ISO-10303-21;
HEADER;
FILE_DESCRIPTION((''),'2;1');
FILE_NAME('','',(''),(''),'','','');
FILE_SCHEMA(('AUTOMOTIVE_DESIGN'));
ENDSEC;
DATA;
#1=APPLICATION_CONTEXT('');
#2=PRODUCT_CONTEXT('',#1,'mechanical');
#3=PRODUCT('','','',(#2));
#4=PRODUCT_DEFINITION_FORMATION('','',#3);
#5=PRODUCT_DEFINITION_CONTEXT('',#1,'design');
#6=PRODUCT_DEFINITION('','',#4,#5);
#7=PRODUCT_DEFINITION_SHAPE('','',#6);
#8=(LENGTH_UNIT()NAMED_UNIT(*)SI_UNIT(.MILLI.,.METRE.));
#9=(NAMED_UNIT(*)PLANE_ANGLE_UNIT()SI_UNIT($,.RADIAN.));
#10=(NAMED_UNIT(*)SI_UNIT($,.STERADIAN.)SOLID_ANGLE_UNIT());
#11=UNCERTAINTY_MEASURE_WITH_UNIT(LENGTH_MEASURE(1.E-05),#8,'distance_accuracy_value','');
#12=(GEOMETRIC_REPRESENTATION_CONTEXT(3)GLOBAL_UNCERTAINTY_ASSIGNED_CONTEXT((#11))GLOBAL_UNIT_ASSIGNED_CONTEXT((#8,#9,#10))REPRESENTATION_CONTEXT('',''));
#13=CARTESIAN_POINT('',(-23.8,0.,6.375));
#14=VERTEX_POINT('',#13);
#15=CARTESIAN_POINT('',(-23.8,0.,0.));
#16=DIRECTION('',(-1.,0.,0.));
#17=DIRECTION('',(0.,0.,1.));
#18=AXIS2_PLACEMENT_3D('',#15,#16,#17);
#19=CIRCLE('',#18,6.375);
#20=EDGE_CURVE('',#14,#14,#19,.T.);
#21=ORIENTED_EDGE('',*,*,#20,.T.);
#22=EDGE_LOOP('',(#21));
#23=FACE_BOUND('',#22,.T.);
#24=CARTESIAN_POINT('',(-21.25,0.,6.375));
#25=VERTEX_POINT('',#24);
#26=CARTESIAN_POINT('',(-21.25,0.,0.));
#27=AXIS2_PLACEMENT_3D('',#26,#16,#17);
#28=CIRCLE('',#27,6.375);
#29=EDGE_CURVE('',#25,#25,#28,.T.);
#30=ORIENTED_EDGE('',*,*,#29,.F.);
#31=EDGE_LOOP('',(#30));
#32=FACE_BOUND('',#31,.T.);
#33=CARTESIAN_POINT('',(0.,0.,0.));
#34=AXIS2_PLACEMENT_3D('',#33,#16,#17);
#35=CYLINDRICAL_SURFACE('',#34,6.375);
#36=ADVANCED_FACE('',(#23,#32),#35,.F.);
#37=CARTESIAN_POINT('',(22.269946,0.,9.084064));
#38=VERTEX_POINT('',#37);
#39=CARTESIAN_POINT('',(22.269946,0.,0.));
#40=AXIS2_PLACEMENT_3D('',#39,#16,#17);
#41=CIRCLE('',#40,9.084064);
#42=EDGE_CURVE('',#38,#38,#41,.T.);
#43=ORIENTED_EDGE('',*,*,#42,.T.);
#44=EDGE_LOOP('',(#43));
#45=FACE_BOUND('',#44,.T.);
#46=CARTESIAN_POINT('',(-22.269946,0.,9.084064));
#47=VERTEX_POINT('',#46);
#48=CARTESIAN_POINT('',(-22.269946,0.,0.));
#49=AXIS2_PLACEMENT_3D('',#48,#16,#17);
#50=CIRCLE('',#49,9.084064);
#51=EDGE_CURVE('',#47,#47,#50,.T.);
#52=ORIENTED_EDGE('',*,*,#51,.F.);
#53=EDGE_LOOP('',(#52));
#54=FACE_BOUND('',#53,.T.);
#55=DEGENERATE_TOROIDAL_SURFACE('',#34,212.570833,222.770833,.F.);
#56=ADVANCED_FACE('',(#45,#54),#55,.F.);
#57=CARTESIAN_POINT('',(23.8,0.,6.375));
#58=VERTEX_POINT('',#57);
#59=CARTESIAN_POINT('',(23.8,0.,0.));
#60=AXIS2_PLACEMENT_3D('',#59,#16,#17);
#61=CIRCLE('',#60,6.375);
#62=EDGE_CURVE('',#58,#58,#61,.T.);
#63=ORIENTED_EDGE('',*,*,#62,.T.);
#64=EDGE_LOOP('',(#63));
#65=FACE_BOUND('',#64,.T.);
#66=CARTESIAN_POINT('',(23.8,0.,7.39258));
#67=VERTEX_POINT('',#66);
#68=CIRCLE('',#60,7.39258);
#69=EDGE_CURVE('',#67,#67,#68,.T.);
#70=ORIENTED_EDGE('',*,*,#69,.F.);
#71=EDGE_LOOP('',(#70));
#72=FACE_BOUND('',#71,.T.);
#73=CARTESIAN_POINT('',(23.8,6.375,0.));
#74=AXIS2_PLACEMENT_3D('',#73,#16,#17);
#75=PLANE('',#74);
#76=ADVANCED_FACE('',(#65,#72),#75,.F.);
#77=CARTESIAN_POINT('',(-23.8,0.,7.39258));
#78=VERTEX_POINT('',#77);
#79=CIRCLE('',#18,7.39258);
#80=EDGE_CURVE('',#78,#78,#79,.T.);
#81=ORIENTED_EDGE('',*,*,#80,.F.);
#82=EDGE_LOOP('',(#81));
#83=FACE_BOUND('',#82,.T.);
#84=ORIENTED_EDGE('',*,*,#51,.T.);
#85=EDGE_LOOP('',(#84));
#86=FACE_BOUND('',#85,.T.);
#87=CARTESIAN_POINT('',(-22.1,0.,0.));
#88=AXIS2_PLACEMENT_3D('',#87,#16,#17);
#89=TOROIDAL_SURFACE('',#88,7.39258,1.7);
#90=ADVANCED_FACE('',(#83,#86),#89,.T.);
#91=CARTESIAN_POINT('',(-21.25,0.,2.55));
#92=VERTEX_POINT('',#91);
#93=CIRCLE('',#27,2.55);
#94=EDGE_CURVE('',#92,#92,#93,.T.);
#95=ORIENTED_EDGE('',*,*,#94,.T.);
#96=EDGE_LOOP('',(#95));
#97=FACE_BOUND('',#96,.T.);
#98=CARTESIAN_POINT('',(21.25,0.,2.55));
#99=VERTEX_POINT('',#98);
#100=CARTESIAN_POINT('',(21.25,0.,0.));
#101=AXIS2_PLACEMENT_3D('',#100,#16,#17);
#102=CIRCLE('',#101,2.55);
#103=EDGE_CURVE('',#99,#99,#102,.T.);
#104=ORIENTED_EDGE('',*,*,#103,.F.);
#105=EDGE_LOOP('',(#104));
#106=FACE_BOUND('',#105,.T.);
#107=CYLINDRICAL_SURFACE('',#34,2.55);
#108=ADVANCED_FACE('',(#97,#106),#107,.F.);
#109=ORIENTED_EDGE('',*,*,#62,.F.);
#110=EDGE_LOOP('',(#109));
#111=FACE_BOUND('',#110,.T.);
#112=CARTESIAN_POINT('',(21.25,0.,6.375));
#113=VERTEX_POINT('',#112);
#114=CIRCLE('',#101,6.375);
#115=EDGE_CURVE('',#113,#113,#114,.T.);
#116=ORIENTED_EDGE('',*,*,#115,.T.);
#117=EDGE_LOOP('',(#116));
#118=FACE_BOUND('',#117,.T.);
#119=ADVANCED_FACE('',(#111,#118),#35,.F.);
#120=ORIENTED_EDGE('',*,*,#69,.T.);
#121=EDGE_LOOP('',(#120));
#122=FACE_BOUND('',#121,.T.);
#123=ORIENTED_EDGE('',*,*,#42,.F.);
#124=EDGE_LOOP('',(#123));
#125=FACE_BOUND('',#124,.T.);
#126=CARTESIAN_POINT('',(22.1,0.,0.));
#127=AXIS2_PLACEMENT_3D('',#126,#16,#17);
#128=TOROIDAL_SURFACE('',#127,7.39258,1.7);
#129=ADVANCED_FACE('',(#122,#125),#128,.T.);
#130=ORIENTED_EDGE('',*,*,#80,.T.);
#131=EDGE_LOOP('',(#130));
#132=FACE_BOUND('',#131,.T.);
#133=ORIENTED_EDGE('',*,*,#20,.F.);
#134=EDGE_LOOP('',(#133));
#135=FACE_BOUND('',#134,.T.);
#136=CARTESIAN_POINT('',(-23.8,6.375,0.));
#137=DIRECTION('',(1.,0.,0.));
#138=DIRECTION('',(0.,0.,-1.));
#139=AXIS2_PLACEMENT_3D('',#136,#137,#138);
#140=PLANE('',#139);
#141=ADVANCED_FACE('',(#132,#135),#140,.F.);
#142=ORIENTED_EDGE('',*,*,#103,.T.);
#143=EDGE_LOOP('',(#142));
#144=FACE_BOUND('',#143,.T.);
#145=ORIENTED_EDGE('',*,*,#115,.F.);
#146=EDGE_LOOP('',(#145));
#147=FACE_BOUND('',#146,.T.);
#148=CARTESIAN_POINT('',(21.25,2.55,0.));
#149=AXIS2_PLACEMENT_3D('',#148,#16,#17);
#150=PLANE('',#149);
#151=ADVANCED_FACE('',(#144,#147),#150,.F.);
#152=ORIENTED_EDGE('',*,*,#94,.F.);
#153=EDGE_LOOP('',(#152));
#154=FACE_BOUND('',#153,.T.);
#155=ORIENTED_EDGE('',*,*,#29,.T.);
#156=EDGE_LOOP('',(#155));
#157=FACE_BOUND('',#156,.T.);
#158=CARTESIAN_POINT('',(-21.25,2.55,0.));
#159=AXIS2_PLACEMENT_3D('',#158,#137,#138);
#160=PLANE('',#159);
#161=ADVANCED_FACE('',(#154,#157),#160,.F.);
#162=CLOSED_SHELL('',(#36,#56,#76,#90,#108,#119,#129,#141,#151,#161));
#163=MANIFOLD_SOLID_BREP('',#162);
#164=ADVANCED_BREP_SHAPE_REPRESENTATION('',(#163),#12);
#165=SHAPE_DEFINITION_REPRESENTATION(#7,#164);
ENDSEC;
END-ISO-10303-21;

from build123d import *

# Parameters (mm, degrees)
SCALE1_SCALE = 1.7


with BuildPart() as part:
    # Sketch1 → Revolve1 (revolve)
    with BuildSketch(Plane.XY):
        with BuildLine():
            Line((-12.5, 1.5), (12.5, 1.5))
            Line((12.5, 1.5), (12.5, 3.75))
            Line((12.5, 3.75), (14, 3.75))
            Line((14, 3.75), (14, 4.348576665))
            ThreePointArc((14, 4.348576665), (13.741609048, 5.019408999), (13.099967959, 5.343567322))
            ThreePointArc((13.099967959, 5.343567322), (0, 6), (-13.099967959, 5.343567322))
            ThreePointArc((-13.099967959, 5.343567322), (-13.741609048, 5.019408999), (-14, 4.348576665))
            Line((-14, 4.348576665), (-14, 3.75))
            Line((-14, 3.75), (-12.5, 3.75))
            Line((-12.5, 3.75), (-12.5, 1.5))
        make_face()
    revolve(axis=Axis((0, 0, 0), (1, 0, 0)))


with BuildPart() as part_1:
    # Scale1: scaled about (0, 0, 0)
    add(part.part.scale(SCALE1_SCALE))


solid = part_1.part
